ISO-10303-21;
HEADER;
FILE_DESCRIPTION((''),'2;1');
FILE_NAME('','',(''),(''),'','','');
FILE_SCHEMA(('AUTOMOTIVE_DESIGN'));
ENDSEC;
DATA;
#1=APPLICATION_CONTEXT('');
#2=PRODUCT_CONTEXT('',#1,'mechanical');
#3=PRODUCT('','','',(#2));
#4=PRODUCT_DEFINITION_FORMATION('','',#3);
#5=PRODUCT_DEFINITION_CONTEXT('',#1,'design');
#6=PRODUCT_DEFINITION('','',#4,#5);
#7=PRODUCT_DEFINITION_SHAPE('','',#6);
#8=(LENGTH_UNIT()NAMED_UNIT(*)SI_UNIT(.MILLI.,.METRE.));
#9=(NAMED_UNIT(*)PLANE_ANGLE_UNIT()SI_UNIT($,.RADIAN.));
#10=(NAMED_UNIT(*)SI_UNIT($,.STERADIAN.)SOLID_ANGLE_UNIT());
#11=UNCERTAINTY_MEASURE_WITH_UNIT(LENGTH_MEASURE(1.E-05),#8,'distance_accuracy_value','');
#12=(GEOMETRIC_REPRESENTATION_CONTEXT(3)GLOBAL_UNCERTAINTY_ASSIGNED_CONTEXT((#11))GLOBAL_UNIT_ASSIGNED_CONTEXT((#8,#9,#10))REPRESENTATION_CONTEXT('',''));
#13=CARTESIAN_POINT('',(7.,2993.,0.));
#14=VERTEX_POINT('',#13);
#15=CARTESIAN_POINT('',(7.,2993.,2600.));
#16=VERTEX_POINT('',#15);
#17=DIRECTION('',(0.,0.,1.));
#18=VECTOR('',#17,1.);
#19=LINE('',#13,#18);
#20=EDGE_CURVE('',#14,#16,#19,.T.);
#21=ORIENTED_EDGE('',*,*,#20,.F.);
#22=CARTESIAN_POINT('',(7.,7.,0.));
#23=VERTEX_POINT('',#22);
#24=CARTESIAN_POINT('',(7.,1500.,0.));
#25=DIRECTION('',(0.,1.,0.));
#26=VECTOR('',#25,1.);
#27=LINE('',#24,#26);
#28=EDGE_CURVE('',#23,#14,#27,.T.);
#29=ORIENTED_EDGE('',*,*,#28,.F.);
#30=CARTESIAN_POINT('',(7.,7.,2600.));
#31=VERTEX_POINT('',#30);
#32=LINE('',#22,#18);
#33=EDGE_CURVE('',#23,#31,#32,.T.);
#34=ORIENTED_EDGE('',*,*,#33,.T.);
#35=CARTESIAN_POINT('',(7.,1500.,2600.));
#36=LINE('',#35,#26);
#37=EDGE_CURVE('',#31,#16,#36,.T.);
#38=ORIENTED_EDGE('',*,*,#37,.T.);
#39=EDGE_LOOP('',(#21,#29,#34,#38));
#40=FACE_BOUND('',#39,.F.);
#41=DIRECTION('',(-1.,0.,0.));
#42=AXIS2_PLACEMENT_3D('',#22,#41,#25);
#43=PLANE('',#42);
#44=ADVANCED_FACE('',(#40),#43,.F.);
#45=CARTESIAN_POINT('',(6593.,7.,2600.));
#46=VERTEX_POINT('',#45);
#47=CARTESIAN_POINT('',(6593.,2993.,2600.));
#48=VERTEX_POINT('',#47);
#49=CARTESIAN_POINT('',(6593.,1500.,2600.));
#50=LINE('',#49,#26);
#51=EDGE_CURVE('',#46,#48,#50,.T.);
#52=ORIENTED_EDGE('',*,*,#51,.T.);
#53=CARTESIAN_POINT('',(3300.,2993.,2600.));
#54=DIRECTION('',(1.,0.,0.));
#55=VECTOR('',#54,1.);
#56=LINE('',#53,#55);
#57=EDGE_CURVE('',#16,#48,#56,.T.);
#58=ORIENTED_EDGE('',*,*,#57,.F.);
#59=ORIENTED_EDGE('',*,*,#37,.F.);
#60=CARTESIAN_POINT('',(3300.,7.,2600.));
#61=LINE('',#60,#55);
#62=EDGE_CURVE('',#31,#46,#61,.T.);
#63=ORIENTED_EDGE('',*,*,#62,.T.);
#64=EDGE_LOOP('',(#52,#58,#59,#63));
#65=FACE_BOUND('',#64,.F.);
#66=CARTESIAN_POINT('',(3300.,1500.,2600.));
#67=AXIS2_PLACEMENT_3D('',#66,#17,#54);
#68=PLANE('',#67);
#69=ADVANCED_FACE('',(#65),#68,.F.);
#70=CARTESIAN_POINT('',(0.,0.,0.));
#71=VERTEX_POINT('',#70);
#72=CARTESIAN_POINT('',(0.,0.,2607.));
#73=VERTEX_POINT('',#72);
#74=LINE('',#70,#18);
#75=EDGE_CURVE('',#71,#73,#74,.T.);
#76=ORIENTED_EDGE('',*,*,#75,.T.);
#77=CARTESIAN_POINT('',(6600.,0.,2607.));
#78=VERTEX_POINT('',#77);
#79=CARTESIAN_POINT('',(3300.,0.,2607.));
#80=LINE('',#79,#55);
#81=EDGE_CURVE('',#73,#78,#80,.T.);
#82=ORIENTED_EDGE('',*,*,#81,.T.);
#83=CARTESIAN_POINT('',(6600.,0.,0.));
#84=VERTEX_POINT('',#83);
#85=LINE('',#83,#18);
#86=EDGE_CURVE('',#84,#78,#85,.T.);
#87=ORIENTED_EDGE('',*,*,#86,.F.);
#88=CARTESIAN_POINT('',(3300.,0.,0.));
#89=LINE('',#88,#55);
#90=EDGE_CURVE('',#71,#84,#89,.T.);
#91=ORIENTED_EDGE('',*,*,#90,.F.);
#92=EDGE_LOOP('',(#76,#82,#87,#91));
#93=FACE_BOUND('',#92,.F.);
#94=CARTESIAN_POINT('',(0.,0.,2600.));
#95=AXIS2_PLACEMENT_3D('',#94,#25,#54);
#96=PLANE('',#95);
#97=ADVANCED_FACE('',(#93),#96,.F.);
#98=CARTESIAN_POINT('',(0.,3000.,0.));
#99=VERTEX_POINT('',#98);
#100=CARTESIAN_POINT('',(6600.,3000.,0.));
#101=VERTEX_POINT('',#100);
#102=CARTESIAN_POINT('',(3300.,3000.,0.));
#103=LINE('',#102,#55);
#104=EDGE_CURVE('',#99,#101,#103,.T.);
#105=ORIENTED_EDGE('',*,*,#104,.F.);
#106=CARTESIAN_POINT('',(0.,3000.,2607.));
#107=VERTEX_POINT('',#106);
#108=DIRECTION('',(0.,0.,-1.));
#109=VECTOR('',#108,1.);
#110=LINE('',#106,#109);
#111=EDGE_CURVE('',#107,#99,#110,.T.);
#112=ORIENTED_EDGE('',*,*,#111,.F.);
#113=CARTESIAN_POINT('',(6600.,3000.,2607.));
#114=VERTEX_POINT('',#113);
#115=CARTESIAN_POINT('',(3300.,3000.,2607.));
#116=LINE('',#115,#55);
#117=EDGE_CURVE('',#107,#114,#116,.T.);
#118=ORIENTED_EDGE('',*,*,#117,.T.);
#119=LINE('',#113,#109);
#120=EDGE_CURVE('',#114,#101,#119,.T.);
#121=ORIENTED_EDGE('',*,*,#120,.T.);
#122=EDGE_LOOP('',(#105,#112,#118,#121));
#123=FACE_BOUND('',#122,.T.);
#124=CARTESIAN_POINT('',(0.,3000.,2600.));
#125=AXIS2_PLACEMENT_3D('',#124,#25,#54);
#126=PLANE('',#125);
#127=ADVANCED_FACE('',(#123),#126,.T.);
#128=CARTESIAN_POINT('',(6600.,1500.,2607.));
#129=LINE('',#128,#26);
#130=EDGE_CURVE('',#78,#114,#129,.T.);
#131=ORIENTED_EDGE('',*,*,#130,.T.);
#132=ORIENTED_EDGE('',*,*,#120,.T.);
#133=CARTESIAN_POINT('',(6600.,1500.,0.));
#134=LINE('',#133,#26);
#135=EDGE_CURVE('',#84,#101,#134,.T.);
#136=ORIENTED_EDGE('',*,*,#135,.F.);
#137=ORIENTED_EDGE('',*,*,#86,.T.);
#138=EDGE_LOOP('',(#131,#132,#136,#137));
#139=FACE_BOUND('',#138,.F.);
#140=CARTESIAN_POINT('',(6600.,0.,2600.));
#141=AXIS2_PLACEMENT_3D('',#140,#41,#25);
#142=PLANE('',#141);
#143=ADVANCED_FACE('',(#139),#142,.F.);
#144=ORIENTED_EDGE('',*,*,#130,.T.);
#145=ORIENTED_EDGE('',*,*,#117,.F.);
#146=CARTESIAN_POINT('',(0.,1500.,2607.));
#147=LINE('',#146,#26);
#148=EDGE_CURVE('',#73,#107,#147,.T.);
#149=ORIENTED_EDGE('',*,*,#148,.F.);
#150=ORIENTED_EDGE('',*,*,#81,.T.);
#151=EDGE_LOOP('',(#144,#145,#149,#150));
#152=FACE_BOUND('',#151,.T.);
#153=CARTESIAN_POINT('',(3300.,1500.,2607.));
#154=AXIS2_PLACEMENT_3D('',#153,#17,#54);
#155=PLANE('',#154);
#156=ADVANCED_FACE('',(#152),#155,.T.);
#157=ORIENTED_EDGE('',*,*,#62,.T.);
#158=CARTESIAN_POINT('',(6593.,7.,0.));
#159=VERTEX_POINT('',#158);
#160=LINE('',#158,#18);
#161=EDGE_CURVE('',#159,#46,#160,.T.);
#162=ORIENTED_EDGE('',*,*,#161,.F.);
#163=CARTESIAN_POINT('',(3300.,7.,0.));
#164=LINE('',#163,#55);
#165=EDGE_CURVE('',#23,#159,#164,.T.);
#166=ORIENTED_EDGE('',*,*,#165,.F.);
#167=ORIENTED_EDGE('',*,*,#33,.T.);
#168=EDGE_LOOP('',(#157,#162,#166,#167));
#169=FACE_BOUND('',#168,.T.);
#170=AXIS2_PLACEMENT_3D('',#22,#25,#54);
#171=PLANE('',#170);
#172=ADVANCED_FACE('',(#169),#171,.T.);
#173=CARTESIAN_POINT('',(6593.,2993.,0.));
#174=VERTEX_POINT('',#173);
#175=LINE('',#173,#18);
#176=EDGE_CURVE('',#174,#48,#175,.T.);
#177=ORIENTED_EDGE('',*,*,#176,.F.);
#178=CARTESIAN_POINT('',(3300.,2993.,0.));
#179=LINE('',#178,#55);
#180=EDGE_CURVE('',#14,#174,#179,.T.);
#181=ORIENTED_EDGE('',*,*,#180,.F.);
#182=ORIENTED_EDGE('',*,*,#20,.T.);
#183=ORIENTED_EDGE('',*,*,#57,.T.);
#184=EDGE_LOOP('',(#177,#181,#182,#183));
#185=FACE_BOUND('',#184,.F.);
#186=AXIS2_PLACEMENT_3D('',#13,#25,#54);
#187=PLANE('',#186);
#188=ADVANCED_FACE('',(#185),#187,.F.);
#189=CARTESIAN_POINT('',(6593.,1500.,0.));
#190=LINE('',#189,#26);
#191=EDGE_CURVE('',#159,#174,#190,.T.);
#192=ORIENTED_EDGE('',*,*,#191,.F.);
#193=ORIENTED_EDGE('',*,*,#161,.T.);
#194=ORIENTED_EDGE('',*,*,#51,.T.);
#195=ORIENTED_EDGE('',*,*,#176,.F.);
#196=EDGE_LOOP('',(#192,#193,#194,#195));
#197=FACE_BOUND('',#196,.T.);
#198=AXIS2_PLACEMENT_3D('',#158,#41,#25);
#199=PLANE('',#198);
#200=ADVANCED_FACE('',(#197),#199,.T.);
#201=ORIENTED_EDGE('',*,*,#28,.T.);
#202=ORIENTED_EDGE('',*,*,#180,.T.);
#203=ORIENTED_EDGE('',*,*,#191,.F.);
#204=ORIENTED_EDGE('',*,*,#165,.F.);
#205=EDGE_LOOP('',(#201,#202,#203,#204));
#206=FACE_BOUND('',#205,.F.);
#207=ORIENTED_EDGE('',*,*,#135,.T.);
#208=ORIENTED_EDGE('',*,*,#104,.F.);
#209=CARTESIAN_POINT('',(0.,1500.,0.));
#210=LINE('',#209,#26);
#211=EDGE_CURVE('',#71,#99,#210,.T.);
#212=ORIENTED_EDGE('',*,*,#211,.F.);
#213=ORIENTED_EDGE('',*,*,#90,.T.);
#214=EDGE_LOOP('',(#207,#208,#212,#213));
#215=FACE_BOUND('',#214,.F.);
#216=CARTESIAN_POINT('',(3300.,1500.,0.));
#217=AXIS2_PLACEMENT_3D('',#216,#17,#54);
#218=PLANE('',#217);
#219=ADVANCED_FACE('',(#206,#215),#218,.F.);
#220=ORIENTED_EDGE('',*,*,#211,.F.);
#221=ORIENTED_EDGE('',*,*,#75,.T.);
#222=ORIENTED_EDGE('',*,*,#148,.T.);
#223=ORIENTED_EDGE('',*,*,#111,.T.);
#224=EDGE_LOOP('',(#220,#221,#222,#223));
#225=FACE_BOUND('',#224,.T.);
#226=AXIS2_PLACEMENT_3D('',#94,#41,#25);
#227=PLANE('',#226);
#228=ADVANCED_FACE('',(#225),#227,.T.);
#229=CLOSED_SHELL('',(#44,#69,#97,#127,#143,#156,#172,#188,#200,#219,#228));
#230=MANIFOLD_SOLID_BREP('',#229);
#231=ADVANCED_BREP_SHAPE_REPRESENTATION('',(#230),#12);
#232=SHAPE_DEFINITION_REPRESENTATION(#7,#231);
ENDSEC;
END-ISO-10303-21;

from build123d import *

# Parameters (mm, degrees)
F0_W     = 6600
F0_H     = 3000
F0_W_2   = 6586
F0_H_2   = 2986
F1_DEPTH = 2600
F2_W     = 6600
F2_H     = 3000
F3_DEPTH = 7


with BuildPart() as f1:
    # F0 (on Top) → F1 (new body)
    with BuildSketch(Plane.XY):
        with Locations((3300, 1500)):
            Rectangle(F0_W, F0_H)
        with Locations((3300, 1500)):
            Rectangle(F0_W_2, F0_H_2, mode=Mode.SUBTRACT)
    extrude(amount=F1_DEPTH)

    # F2 (on face) → F3 (join)
    with BuildSketch(Plane.XY.offset(2600)):
        with Locations((3300, 1500)):
            Rectangle(F2_W, F2_H)
    extrude(amount=F3_DEPTH)


solid = f1.part
